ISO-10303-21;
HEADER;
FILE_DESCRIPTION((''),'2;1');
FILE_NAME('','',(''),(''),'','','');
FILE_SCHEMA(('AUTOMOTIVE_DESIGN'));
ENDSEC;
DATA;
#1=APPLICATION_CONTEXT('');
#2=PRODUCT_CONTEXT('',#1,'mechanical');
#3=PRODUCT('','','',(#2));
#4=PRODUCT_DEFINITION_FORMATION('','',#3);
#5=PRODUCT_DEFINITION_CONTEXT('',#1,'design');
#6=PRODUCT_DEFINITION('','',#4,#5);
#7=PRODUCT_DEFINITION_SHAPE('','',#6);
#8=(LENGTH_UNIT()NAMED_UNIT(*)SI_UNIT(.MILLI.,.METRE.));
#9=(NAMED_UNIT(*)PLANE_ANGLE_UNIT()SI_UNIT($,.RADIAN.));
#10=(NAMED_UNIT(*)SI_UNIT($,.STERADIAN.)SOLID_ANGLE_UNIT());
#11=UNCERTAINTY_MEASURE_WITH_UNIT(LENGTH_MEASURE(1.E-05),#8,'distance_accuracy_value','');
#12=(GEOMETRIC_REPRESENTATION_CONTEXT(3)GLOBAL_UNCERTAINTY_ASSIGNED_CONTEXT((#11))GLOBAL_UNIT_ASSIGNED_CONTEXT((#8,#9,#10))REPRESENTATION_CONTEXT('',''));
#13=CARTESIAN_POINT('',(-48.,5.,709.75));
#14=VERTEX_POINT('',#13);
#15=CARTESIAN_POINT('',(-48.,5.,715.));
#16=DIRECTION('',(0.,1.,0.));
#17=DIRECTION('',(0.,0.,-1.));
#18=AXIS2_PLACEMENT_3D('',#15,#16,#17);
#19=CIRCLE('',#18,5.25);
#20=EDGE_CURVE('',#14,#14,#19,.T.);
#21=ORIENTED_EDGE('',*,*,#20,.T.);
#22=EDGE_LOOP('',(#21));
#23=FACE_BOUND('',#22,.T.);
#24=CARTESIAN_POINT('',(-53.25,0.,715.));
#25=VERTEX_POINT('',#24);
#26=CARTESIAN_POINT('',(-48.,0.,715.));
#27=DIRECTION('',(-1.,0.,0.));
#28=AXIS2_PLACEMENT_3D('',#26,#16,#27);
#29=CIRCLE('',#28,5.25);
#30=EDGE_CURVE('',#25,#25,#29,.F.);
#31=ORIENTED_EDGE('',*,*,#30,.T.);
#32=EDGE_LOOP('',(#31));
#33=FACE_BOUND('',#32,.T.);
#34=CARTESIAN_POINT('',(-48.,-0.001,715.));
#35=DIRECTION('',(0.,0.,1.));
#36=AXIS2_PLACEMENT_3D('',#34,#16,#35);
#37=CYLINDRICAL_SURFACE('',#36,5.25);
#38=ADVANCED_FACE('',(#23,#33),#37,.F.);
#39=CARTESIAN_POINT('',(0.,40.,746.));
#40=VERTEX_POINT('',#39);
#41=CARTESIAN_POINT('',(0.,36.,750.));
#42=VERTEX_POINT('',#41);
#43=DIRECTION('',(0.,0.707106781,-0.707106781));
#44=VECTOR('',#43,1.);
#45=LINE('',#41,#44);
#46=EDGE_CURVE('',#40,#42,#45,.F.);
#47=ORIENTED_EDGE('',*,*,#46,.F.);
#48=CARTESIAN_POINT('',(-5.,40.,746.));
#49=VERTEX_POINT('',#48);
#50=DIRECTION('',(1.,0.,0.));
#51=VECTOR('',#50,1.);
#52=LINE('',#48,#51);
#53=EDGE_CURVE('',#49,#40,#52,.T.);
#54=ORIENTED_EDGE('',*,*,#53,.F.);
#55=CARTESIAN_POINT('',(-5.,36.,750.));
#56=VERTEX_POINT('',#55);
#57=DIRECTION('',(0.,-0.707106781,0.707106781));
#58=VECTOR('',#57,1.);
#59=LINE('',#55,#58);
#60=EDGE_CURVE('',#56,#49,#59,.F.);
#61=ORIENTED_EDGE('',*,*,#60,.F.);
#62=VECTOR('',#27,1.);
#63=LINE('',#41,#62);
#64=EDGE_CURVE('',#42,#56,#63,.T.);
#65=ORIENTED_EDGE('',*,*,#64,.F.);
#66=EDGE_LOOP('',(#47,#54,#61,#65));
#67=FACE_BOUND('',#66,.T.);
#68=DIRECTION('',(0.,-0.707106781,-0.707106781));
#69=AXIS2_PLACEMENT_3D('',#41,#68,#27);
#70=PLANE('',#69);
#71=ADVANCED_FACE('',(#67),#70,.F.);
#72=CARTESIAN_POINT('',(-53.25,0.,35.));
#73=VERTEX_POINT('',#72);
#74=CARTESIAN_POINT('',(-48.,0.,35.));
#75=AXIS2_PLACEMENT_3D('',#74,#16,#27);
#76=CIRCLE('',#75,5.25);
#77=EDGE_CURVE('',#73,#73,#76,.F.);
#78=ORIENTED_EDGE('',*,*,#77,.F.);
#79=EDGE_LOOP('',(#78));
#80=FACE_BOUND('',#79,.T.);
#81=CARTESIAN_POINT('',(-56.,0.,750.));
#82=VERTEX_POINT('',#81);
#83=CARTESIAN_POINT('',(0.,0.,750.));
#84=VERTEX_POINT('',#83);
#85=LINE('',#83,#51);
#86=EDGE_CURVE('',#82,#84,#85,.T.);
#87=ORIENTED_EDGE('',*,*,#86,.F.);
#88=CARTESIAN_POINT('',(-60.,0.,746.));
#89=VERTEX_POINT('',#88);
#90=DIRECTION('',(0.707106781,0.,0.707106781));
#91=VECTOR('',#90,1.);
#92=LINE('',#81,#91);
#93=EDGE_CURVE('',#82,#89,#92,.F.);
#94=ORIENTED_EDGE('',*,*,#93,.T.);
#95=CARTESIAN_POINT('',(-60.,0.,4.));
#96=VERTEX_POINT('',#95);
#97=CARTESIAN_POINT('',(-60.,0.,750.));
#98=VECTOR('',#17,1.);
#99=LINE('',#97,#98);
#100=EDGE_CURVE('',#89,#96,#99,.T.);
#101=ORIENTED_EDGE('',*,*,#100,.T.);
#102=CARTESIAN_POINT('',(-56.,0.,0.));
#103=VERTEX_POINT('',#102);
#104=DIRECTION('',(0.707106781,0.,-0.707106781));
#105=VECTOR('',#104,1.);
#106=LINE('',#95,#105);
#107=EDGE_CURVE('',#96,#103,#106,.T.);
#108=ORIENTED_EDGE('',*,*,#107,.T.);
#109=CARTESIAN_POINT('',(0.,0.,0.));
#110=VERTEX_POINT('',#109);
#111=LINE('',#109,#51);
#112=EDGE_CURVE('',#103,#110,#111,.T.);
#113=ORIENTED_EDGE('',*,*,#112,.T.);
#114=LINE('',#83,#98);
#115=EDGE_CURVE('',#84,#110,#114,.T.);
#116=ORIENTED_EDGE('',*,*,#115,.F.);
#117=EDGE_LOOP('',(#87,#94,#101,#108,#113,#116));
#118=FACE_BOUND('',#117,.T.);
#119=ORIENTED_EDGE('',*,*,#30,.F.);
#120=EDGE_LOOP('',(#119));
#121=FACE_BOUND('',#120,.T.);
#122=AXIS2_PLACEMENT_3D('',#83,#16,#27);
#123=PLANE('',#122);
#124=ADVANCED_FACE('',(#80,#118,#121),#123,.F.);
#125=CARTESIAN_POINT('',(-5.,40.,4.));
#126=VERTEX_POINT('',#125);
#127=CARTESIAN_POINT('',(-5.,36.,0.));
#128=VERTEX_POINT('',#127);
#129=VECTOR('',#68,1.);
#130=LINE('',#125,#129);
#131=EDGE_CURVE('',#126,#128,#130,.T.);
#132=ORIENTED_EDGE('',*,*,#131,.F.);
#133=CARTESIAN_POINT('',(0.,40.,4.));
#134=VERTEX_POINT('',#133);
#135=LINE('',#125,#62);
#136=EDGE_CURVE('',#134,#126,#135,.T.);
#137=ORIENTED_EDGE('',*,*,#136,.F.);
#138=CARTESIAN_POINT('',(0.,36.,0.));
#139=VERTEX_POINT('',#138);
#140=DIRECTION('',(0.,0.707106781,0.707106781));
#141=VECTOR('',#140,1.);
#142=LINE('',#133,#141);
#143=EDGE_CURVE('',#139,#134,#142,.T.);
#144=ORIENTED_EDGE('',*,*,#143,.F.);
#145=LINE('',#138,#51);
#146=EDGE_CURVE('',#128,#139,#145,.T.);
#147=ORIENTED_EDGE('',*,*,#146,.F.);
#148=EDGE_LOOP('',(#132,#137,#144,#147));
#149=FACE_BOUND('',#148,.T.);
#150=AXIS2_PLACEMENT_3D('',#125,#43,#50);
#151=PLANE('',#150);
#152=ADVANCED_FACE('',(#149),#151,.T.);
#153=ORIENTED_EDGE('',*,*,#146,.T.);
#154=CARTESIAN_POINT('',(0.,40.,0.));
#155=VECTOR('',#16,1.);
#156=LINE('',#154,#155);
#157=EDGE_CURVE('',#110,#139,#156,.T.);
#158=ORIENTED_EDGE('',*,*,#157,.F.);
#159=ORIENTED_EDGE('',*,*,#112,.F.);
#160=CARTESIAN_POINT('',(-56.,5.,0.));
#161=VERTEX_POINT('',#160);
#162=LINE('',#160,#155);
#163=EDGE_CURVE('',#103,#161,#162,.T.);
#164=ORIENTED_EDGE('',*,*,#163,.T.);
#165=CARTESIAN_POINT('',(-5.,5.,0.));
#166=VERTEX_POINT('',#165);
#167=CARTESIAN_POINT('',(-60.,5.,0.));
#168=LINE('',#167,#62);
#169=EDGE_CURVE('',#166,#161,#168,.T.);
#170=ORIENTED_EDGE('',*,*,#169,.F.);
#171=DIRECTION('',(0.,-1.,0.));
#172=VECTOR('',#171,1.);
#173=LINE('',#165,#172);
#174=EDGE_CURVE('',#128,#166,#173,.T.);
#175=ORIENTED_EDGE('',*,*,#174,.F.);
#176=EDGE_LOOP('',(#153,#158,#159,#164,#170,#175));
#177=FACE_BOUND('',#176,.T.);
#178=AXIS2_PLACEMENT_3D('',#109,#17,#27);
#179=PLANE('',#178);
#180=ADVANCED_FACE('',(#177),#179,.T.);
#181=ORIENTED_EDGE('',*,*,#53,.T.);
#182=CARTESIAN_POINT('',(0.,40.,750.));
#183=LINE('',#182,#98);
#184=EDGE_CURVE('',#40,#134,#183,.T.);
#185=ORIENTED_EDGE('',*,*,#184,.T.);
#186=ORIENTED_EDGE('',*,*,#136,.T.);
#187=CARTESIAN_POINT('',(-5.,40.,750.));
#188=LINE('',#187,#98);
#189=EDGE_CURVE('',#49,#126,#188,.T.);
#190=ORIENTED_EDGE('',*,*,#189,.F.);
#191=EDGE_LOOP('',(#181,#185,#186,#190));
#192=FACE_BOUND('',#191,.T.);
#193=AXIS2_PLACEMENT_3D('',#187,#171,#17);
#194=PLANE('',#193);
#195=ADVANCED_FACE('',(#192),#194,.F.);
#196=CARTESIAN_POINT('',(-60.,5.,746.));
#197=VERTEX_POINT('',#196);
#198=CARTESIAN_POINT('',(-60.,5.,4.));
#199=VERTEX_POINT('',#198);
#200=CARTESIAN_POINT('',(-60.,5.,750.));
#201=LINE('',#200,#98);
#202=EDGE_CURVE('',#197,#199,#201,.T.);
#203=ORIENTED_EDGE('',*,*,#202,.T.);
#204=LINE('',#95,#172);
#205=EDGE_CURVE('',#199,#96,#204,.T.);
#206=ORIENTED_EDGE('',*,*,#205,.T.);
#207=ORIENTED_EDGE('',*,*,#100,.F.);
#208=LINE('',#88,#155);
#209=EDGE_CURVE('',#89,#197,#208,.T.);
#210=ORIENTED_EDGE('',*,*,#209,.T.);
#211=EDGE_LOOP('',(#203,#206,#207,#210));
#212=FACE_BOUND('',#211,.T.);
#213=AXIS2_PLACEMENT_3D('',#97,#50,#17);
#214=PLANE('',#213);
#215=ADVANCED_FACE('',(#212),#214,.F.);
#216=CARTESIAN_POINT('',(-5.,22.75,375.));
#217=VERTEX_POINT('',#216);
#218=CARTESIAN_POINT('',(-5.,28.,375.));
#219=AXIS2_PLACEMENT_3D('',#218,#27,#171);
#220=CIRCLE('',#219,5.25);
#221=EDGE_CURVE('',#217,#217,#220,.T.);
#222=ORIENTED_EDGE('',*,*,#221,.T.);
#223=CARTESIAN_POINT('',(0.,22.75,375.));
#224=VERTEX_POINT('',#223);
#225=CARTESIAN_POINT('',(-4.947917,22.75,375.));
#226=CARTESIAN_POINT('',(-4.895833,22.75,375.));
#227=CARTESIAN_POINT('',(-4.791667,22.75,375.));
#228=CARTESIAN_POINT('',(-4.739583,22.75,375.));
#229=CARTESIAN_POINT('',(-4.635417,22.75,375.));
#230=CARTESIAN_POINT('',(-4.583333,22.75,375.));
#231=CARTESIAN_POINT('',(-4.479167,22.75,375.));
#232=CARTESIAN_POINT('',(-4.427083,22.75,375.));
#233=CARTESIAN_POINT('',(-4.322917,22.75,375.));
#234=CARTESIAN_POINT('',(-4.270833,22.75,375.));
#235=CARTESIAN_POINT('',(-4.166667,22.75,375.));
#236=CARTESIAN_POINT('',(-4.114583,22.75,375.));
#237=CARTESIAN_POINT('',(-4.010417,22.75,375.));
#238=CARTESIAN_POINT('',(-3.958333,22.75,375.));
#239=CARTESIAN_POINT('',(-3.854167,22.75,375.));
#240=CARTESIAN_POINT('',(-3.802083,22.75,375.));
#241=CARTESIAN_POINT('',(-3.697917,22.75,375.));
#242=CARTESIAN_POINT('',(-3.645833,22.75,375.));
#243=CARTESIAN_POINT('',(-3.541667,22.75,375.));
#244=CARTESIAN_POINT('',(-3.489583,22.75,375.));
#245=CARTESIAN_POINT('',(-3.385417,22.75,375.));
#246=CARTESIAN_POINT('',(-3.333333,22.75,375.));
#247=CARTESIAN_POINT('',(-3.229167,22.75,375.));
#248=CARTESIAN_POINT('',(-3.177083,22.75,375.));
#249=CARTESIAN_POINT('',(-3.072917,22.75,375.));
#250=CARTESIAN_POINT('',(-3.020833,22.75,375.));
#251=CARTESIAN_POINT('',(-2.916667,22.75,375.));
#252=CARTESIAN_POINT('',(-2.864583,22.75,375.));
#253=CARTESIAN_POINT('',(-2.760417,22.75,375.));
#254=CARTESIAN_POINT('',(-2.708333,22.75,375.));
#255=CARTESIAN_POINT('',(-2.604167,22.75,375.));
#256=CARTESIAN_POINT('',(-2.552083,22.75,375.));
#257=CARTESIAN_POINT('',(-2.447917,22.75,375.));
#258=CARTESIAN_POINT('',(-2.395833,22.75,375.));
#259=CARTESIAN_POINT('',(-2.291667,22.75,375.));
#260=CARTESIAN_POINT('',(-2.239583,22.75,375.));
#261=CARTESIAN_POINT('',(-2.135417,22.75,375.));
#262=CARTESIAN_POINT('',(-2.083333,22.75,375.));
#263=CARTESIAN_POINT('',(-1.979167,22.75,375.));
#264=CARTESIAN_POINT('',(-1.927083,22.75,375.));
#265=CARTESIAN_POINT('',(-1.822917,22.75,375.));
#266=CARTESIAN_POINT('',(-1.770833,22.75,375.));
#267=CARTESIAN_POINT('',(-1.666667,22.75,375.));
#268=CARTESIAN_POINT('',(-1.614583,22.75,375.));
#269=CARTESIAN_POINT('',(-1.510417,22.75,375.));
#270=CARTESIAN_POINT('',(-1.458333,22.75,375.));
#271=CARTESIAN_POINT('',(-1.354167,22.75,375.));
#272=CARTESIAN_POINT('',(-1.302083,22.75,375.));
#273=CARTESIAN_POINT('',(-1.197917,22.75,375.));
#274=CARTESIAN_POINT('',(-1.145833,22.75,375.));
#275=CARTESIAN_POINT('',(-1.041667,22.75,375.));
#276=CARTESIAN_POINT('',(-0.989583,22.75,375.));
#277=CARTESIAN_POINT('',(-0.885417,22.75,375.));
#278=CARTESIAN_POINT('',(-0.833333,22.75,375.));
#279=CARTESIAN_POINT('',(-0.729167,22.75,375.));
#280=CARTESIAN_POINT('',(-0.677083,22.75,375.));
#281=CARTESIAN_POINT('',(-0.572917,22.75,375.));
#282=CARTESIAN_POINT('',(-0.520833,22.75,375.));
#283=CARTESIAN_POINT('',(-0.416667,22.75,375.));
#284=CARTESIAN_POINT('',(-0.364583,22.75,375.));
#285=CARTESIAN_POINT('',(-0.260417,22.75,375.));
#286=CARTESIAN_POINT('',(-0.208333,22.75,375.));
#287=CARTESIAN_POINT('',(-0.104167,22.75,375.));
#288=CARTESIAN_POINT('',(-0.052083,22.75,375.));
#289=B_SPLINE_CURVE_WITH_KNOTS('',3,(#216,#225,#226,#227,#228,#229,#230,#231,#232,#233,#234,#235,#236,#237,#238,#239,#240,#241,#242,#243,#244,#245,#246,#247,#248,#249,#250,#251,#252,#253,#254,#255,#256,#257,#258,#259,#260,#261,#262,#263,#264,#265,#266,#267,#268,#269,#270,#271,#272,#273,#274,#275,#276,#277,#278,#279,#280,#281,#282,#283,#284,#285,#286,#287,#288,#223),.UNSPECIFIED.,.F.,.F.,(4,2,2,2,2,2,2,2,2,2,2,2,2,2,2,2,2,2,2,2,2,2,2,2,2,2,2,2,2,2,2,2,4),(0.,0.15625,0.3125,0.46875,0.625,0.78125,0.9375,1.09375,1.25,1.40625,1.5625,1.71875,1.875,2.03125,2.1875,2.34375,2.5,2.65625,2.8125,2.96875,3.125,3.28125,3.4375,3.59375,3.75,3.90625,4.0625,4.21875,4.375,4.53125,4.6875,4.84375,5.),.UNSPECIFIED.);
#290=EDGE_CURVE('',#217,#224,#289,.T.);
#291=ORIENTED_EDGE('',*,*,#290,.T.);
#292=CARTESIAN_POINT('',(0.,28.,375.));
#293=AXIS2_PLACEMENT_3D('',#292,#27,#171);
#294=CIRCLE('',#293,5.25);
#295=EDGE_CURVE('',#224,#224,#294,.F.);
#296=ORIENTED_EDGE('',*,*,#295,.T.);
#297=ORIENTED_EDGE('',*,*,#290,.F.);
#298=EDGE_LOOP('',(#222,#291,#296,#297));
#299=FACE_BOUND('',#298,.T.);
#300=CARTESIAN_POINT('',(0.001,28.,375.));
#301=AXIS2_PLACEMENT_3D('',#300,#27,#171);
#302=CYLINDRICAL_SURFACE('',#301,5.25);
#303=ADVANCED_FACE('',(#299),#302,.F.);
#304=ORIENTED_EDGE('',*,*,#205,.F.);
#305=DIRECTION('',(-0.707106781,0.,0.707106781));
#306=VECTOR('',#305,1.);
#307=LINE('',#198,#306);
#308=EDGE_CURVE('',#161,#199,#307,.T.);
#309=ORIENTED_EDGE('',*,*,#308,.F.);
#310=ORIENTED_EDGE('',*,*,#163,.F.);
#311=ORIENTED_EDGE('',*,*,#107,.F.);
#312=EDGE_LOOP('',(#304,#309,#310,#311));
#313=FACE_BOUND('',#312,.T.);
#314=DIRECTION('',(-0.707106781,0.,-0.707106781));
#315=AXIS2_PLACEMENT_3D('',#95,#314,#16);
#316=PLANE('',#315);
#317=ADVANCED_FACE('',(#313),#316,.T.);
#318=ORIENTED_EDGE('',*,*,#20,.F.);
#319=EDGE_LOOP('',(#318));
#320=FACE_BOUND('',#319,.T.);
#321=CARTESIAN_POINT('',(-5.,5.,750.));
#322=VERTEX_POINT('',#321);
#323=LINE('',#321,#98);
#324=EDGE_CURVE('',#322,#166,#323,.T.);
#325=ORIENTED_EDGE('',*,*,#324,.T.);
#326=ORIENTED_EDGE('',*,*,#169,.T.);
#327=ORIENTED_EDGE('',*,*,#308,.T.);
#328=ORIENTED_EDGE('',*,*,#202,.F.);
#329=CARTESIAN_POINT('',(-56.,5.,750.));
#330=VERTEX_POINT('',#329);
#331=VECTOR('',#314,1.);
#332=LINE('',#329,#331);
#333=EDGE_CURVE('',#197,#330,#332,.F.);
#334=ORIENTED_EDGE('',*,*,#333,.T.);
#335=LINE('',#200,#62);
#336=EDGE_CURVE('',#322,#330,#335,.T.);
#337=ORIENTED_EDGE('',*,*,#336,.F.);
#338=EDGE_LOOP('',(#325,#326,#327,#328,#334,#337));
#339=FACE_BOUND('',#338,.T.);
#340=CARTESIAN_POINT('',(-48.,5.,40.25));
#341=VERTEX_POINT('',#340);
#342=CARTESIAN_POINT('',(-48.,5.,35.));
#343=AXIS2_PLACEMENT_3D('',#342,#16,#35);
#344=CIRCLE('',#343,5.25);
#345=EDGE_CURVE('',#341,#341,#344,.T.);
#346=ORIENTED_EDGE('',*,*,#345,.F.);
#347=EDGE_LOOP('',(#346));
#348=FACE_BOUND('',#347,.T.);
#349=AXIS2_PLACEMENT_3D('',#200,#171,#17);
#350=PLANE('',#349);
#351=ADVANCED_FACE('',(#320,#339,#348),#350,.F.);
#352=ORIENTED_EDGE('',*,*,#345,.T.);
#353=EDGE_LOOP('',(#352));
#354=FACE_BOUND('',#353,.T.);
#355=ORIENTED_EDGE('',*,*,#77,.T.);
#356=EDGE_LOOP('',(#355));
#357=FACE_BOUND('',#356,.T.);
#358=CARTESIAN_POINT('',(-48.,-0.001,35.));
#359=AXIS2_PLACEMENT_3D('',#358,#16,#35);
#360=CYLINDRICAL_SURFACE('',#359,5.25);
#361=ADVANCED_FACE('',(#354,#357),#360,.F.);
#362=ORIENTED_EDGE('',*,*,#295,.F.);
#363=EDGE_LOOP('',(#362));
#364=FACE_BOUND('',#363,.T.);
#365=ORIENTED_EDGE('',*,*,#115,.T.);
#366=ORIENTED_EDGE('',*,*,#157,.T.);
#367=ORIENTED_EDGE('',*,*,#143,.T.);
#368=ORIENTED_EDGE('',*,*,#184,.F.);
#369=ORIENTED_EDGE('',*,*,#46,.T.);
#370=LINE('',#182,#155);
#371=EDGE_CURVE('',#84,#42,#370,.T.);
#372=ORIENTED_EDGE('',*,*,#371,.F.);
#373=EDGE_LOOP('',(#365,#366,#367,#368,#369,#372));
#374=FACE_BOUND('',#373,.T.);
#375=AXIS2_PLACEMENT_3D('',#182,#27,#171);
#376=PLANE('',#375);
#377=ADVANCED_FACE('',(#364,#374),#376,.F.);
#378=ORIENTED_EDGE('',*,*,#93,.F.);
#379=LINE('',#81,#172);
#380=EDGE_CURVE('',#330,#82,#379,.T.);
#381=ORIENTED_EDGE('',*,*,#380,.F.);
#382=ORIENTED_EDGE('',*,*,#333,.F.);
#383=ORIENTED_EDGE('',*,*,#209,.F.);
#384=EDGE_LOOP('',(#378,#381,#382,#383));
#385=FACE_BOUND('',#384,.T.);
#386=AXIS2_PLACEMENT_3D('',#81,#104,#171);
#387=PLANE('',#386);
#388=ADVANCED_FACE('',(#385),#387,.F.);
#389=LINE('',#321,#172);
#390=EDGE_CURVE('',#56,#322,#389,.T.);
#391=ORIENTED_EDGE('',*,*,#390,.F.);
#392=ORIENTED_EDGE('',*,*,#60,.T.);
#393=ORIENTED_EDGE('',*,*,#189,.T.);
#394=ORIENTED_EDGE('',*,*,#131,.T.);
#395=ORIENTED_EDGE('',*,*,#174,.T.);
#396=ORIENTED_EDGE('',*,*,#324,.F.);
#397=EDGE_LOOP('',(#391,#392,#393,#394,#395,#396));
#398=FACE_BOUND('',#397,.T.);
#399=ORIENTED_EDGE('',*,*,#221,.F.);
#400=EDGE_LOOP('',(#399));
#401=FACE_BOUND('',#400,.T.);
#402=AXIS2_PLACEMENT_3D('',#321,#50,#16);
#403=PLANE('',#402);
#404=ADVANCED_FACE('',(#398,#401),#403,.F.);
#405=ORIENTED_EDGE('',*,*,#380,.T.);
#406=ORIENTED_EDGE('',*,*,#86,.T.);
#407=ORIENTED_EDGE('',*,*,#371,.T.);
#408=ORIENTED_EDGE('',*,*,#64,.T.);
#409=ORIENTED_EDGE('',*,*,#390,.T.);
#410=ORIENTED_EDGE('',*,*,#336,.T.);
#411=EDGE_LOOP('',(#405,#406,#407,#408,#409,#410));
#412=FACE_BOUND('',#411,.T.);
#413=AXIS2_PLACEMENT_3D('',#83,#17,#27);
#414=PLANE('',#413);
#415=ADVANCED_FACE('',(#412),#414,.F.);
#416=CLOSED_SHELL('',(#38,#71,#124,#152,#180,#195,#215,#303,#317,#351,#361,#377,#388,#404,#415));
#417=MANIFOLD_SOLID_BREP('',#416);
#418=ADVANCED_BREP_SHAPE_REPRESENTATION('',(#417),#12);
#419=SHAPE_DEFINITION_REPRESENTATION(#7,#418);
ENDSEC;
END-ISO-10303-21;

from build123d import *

# Parameters (mm, degrees)
BOSS_EXTRUDE1_DEPTH = 750
CUT_EXTRUDE1_REACH  = 755.21
SKETCH4_R           = 5.25
CUT_EXTRUDE2_REACH  = 755.077
SKETCH5_R           = 5.25
CHAMFER1_SIZE       = 4


with BuildPart() as part:
    # Sketch1 → Boss-Extrude1 (new body)
    with BuildSketch(Plane.XY):
        Polygon((0, 0), (-60, 0), (-60, 5), (-5, 5), (-5, 40), (0, 40), align=None)
    extrude(amount=BOSS_EXTRUDE1_DEPTH)

    # Sketch4 → Cut-Extrude1 (cut, up to next)
    with BuildSketch(Plane(origin=(0, 5, 0), x_dir=(1, 0, 0), z_dir=(0, 1, 0)), mode=Mode.PRIVATE) as cut_extrude1_sk1:
        with Locations(Location((-48, -35, 0), (0, 0, 270))):
            Circle(SKETCH4_R)
    cut_extrude1_tool1 = extrude(cut_extrude1_sk1.sketch, amount=-CUT_EXTRUDE1_REACH, mode=Mode.PRIVATE) & part.part
    # Sketch4 → Cut-Extrude1 (cut, up to next)
    with BuildSketch(Plane(origin=(0, 5, 0), x_dir=(1, 0, 0), z_dir=(0, 1, 0)), mode=Mode.PRIVATE) as cut_extrude1_sk2:
        with Locations(Location((-48, -715, 0), (0, 0, 180))):
            Circle(SKETCH4_R)
    cut_extrude1_tool2 = extrude(cut_extrude1_sk2.sketch, amount=-CUT_EXTRUDE1_REACH, mode=Mode.PRIVATE) & part.part
    add(cut_extrude1_tool1.solids().sort_by_distance((-48, 5, 35))[0], mode=Mode.SUBTRACT)
    add(cut_extrude1_tool2.solids().sort_by_distance((-48, 5, 715))[0], mode=Mode.SUBTRACT)

    # Sketch5 → Cut-Extrude2 (cut, up to next)
    with BuildSketch(Plane.ZY.offset(5), mode=Mode.PRIVATE) as cut_extrude2_sk1:
        with Locations(Location((375, 28, 0), (0, 0, 270))):
            Circle(SKETCH5_R)
    cut_extrude2_tool1 = extrude(cut_extrude2_sk1.sketch, amount=-CUT_EXTRUDE2_REACH, mode=Mode.PRIVATE) & part.part
    add(cut_extrude2_tool1.solids().sort_by_distance((-5, 28, 375))[0], mode=Mode.SUBTRACT)

    # Chamfer1
    chamfer1_edges = [part.edges().sort_by_distance(p)[0] for p in [
        (-60, 2.5, 750),
        (-60, 2.5, 0),
        (-2.5, 40, 750),
        (-2.5, 40, 0),
    ]]
    chamfer(chamfer1_edges, length=CHAMFER1_SIZE)


solid = part.part
